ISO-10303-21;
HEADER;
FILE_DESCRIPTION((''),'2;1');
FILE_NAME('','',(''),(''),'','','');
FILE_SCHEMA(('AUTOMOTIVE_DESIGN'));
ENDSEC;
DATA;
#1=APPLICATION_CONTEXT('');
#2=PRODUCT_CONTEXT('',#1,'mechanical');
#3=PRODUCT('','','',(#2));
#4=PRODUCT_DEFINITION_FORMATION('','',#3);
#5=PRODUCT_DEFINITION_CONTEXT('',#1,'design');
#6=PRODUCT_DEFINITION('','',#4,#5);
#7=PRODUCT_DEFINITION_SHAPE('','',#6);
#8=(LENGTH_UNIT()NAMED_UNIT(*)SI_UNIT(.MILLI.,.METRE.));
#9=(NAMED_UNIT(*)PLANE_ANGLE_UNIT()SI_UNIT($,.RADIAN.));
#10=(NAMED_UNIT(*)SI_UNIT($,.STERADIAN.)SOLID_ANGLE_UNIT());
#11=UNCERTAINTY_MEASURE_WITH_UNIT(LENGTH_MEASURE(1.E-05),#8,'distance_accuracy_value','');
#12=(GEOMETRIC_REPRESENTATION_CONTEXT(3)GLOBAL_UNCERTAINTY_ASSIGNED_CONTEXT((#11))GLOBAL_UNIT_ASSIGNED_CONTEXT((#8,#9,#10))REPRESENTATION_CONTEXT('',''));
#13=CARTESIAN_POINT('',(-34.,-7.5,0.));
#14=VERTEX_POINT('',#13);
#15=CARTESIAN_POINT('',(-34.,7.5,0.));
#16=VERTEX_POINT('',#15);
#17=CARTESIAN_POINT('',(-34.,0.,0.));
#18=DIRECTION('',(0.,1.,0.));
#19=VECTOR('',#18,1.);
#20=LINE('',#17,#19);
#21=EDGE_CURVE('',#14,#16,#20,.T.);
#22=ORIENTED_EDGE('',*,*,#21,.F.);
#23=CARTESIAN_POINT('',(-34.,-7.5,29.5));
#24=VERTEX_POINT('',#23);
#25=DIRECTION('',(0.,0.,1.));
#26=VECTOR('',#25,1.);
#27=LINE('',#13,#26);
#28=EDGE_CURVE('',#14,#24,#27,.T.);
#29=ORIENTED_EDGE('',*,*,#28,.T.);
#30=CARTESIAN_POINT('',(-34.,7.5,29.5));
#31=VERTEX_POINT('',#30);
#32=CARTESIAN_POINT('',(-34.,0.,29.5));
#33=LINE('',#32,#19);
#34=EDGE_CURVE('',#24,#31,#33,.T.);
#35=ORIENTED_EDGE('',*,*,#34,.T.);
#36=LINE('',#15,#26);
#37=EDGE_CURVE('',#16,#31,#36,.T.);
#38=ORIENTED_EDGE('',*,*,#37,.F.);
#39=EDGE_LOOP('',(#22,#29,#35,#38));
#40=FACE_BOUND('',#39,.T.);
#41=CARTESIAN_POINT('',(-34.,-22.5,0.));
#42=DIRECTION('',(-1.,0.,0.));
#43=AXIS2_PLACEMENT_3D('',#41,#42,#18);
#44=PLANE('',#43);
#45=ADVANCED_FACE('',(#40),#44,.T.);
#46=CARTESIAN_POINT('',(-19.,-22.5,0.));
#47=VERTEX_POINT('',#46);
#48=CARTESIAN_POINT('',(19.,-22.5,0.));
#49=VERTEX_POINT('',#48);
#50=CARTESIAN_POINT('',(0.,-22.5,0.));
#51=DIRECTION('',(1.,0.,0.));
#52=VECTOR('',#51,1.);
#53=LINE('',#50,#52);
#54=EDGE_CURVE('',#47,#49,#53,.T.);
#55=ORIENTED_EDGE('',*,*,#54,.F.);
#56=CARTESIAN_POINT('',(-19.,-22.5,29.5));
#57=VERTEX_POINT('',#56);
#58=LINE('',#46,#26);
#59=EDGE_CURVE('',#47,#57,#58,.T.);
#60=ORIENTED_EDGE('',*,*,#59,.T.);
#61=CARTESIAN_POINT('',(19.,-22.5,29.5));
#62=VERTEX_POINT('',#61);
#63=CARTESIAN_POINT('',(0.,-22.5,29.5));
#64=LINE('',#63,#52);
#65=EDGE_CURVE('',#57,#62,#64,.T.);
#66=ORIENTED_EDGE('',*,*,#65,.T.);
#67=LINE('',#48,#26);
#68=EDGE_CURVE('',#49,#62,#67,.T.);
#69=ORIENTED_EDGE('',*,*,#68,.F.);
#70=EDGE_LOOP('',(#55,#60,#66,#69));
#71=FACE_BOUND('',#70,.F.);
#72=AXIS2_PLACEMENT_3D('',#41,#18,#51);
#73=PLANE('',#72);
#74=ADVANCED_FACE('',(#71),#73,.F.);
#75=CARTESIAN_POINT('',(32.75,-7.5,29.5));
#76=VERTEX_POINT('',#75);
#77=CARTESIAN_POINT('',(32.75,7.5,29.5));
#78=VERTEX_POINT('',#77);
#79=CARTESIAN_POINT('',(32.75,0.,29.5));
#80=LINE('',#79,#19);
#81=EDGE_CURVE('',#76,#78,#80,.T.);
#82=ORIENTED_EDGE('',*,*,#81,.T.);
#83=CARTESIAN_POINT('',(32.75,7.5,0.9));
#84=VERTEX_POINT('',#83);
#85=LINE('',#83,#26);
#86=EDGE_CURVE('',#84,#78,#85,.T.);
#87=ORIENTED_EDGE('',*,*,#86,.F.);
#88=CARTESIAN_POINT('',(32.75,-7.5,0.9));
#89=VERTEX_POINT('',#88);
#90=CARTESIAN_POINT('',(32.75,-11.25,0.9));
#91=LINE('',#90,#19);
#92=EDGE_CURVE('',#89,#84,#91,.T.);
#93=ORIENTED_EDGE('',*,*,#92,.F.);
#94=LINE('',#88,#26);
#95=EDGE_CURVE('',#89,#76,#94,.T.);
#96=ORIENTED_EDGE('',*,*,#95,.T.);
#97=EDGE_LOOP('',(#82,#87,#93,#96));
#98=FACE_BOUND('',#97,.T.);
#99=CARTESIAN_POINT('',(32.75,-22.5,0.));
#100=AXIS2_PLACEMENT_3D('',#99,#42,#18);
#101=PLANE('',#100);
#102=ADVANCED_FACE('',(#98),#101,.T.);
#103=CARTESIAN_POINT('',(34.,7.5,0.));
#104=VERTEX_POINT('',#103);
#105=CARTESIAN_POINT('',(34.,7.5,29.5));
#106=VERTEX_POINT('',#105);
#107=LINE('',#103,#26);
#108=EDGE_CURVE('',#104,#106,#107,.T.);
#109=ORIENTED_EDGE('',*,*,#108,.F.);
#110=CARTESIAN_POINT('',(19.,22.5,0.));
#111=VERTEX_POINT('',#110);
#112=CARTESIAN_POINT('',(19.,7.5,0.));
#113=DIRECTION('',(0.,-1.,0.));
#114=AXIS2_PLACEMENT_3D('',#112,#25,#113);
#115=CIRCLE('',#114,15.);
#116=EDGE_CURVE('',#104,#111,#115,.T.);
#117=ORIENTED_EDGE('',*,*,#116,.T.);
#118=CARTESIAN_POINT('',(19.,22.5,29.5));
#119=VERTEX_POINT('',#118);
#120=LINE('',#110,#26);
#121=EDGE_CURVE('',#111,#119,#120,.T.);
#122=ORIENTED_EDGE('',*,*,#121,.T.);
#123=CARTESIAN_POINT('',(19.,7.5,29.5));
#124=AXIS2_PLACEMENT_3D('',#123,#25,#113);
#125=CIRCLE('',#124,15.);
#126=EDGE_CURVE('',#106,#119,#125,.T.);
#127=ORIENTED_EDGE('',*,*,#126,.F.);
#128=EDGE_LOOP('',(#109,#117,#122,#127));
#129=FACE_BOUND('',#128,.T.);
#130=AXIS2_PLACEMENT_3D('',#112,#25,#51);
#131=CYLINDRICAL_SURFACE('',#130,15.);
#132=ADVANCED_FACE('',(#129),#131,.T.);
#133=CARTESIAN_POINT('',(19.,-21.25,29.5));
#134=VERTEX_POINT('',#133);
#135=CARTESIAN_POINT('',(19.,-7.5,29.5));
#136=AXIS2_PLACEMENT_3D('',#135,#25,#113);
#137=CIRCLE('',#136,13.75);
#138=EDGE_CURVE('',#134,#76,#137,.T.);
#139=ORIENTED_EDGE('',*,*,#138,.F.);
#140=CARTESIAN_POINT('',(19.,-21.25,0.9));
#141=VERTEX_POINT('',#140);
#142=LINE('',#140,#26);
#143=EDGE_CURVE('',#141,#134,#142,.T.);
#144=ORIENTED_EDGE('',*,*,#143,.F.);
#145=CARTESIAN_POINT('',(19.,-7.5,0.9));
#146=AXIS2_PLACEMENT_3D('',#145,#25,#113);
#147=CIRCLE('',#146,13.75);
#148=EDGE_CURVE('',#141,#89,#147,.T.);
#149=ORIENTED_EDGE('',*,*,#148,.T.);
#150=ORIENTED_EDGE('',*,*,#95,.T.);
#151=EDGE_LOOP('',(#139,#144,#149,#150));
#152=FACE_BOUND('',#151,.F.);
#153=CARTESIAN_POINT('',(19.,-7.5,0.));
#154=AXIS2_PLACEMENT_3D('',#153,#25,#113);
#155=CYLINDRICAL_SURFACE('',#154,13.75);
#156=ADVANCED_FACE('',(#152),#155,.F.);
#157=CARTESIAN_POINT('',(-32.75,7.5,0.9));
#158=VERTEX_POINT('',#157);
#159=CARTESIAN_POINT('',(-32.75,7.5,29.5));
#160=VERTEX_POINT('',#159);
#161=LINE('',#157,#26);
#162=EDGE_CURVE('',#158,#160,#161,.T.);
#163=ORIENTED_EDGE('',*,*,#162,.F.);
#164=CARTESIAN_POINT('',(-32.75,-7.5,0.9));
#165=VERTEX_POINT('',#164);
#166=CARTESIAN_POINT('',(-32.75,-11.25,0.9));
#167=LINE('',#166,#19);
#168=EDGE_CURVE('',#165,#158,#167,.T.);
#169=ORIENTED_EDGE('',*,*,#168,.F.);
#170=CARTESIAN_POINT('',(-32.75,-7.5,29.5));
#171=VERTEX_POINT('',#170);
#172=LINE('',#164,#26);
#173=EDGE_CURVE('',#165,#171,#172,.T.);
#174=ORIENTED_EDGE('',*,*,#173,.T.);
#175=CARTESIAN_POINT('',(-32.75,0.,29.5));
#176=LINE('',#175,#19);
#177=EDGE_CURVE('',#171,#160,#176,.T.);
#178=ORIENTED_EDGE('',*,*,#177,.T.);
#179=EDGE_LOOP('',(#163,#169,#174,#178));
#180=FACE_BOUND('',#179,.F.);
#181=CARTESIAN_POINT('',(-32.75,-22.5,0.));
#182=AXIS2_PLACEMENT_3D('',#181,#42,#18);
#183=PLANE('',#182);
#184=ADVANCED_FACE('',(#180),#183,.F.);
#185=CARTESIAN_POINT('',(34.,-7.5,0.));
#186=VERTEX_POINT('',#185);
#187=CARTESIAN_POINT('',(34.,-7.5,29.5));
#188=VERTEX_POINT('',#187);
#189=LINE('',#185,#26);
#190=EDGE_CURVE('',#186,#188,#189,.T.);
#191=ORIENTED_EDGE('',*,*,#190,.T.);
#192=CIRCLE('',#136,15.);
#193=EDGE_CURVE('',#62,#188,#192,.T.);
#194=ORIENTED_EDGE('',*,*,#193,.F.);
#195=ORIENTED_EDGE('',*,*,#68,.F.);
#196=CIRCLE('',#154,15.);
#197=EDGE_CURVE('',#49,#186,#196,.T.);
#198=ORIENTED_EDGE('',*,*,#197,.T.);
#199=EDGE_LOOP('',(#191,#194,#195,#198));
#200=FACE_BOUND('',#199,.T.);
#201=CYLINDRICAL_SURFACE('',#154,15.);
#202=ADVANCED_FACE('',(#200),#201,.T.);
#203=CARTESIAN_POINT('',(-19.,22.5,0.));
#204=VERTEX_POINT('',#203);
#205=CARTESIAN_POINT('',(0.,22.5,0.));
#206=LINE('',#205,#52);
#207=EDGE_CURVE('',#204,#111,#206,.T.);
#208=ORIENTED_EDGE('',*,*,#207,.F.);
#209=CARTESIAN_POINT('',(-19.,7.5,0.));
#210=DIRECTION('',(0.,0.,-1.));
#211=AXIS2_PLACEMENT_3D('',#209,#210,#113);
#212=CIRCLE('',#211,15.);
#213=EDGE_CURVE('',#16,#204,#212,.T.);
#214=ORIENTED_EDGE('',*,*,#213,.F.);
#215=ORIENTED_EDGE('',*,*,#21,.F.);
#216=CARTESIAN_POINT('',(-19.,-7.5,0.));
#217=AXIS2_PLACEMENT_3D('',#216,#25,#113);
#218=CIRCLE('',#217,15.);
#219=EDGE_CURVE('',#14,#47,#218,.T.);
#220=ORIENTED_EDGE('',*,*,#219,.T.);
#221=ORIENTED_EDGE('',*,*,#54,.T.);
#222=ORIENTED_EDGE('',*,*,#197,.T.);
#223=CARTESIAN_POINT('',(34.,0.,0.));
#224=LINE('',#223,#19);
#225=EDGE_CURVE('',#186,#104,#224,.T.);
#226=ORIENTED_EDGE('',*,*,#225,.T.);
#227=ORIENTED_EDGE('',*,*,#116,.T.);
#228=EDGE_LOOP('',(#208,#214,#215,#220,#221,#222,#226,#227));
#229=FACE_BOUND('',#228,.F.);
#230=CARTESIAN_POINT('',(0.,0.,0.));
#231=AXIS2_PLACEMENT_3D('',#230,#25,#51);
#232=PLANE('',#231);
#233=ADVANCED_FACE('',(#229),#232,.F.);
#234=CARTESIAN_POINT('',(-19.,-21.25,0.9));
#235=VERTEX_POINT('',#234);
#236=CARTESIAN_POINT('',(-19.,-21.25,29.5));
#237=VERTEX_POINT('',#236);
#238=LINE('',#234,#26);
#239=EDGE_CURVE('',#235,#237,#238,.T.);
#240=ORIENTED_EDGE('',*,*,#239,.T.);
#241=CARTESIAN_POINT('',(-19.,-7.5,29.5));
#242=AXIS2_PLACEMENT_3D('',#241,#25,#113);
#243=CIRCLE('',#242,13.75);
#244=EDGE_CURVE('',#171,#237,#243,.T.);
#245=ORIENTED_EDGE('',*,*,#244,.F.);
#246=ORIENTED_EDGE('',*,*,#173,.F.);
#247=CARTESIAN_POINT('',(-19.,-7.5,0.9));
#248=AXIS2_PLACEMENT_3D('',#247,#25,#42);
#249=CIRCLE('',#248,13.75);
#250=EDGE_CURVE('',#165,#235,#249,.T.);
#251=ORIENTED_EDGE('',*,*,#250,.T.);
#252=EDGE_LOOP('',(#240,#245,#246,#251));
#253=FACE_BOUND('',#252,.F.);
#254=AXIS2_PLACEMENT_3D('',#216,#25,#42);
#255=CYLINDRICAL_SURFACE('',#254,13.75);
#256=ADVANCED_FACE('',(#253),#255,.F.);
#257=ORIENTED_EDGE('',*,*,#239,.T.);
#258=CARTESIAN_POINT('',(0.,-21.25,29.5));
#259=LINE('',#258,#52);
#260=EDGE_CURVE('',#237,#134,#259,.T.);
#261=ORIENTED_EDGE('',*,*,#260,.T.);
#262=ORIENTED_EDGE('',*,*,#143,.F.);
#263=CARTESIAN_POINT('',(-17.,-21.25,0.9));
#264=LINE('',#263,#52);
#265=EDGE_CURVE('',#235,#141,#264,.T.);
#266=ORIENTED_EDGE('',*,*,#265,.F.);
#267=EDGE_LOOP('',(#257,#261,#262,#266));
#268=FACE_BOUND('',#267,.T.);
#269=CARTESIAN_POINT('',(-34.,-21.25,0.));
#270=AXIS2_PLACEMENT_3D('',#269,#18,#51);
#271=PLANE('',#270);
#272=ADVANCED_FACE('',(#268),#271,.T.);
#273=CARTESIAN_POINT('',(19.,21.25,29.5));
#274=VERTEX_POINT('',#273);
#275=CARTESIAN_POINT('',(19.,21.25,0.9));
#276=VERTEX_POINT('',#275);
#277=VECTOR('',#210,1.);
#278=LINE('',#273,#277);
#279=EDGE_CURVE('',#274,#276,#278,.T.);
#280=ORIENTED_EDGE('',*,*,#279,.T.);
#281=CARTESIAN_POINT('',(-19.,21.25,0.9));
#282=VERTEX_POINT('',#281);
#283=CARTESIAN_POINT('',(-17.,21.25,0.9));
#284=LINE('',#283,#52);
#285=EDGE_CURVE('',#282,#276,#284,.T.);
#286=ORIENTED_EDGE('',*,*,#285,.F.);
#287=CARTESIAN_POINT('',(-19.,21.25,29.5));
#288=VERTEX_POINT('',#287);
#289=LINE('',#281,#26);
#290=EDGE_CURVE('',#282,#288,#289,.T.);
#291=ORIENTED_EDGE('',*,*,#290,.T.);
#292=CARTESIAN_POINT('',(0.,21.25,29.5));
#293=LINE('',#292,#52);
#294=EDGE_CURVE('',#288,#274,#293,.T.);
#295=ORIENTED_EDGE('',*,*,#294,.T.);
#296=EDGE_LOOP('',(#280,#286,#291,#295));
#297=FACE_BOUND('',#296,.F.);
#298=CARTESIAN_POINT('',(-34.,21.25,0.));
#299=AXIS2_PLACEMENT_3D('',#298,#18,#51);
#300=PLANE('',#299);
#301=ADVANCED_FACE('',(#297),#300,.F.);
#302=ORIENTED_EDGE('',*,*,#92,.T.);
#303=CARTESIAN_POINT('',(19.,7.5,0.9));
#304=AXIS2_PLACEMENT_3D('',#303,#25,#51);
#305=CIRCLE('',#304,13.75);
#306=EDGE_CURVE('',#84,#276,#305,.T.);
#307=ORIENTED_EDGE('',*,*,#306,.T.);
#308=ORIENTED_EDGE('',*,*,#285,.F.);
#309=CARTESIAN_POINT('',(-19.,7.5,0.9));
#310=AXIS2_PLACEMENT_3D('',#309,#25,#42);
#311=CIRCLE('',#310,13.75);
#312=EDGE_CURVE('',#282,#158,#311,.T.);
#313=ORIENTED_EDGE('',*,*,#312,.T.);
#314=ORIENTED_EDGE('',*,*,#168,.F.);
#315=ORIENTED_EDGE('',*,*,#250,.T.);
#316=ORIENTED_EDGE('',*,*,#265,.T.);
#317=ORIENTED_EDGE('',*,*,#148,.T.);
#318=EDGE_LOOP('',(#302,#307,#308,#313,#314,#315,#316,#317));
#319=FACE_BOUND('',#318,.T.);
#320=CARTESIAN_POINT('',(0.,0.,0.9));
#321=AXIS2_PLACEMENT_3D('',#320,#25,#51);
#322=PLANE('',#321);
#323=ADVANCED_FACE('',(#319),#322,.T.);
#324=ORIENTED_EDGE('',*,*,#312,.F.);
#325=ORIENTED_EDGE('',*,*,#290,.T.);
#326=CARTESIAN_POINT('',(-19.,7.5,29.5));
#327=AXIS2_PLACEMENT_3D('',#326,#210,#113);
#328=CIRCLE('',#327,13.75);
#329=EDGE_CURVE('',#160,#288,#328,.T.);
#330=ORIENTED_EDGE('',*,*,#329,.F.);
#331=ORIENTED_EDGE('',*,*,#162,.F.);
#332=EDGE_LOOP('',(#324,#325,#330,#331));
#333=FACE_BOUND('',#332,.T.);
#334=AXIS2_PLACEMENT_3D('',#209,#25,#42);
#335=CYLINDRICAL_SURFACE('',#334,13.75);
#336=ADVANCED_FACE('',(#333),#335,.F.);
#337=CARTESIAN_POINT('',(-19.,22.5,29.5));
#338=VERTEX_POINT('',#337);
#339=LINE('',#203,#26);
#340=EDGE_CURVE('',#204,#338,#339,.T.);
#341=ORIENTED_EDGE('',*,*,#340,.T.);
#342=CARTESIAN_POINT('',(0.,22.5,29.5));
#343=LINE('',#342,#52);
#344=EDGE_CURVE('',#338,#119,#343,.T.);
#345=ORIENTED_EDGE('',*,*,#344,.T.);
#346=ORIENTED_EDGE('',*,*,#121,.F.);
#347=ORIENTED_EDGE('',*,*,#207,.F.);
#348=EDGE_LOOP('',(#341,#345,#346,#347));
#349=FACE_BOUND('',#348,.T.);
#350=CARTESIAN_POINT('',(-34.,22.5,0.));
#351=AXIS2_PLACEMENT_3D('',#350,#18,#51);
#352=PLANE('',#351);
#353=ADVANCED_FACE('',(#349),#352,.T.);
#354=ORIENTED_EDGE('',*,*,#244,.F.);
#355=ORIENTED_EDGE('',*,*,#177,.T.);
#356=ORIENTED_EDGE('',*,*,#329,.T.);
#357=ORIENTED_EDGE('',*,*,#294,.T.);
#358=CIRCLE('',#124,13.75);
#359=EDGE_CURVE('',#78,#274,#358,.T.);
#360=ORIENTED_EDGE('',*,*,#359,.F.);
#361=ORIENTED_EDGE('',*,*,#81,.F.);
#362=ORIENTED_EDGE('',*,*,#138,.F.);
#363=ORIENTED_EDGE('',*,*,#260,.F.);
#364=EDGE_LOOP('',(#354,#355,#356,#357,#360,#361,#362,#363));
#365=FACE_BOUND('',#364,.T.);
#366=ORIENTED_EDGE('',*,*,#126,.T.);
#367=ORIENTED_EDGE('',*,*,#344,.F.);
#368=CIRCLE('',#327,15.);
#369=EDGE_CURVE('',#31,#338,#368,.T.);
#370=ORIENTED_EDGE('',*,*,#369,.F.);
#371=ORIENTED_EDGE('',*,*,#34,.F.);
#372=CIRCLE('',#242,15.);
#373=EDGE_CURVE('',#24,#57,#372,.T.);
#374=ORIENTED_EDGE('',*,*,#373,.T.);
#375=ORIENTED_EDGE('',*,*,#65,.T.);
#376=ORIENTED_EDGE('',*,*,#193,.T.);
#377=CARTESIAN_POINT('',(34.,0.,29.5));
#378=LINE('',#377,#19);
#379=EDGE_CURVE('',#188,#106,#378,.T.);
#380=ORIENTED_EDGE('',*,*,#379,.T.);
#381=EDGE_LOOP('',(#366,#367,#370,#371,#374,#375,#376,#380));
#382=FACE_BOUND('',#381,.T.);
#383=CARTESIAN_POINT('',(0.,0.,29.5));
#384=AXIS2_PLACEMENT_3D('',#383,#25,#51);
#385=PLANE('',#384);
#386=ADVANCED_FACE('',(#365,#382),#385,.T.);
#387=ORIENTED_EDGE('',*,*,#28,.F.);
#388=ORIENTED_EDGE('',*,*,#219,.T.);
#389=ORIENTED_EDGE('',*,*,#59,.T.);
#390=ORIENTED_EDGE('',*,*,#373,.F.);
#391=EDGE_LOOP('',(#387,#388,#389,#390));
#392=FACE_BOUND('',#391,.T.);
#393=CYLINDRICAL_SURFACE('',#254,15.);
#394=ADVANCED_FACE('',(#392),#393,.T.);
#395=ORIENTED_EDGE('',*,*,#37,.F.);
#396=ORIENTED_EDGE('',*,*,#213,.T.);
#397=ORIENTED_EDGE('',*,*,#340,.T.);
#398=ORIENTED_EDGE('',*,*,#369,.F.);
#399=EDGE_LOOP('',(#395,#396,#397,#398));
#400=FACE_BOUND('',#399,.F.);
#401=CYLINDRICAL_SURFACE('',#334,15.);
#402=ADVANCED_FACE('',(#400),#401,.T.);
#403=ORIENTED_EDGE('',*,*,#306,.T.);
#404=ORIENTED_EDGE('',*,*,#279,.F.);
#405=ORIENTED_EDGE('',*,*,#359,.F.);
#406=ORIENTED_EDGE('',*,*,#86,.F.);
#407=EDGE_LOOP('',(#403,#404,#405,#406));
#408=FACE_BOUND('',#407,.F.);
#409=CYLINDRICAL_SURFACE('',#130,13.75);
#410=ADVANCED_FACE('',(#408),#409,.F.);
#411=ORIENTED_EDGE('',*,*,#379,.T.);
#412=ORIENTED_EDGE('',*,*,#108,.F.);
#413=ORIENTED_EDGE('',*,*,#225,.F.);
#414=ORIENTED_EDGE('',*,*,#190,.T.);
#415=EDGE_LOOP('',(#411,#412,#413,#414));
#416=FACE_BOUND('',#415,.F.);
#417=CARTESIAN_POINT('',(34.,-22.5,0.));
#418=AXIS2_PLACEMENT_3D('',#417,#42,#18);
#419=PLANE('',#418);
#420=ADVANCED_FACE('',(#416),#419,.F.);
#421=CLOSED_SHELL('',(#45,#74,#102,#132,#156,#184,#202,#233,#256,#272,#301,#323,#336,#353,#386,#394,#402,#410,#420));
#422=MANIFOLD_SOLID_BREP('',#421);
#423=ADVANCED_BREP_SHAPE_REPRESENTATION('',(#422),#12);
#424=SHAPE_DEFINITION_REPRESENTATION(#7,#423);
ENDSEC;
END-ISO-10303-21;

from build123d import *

# Parameters (mm, degrees)
F2_W     = 68
F2_H     = 45
F3_DEPTH = 29.5
F4_R     = 15
F5_T     = -1.25
F6_DEPTH = 0.35


with BuildPart() as f3:
    # F2 (on Top) → F3 (new body)
    with BuildSketch(Plane.XY):
        Rectangle(F2_W, F2_H)
    extrude(amount=F3_DEPTH)

    # F4
    f4_edges = [f3.edges().sort_by_distance(p)[0] for p in [
        (34, -22.5, 14.75),
        (34, 22.5, 14.75),
        (-34, -22.5, 14.75),
        (-34, 22.5, 14.75),
    ]]
    fillet(f4_edges, radius=F4_R)

    # F5
    f5_openings = [f3.faces().sort_by_distance(p)[0] for p in [
        (0, 0, 29.5),
    ]]
    offset(amount=F5_T, openings=f5_openings)

    # F6 (cut): a face of the model
    f6_faces = [f3.faces().sort_by_distance(p)[0] for p in [
        (0, 0, 1.25),
    ]]
    extrude(f6_faces, amount=-F6_DEPTH, mode=Mode.SUBTRACT)


solid = f3.part
